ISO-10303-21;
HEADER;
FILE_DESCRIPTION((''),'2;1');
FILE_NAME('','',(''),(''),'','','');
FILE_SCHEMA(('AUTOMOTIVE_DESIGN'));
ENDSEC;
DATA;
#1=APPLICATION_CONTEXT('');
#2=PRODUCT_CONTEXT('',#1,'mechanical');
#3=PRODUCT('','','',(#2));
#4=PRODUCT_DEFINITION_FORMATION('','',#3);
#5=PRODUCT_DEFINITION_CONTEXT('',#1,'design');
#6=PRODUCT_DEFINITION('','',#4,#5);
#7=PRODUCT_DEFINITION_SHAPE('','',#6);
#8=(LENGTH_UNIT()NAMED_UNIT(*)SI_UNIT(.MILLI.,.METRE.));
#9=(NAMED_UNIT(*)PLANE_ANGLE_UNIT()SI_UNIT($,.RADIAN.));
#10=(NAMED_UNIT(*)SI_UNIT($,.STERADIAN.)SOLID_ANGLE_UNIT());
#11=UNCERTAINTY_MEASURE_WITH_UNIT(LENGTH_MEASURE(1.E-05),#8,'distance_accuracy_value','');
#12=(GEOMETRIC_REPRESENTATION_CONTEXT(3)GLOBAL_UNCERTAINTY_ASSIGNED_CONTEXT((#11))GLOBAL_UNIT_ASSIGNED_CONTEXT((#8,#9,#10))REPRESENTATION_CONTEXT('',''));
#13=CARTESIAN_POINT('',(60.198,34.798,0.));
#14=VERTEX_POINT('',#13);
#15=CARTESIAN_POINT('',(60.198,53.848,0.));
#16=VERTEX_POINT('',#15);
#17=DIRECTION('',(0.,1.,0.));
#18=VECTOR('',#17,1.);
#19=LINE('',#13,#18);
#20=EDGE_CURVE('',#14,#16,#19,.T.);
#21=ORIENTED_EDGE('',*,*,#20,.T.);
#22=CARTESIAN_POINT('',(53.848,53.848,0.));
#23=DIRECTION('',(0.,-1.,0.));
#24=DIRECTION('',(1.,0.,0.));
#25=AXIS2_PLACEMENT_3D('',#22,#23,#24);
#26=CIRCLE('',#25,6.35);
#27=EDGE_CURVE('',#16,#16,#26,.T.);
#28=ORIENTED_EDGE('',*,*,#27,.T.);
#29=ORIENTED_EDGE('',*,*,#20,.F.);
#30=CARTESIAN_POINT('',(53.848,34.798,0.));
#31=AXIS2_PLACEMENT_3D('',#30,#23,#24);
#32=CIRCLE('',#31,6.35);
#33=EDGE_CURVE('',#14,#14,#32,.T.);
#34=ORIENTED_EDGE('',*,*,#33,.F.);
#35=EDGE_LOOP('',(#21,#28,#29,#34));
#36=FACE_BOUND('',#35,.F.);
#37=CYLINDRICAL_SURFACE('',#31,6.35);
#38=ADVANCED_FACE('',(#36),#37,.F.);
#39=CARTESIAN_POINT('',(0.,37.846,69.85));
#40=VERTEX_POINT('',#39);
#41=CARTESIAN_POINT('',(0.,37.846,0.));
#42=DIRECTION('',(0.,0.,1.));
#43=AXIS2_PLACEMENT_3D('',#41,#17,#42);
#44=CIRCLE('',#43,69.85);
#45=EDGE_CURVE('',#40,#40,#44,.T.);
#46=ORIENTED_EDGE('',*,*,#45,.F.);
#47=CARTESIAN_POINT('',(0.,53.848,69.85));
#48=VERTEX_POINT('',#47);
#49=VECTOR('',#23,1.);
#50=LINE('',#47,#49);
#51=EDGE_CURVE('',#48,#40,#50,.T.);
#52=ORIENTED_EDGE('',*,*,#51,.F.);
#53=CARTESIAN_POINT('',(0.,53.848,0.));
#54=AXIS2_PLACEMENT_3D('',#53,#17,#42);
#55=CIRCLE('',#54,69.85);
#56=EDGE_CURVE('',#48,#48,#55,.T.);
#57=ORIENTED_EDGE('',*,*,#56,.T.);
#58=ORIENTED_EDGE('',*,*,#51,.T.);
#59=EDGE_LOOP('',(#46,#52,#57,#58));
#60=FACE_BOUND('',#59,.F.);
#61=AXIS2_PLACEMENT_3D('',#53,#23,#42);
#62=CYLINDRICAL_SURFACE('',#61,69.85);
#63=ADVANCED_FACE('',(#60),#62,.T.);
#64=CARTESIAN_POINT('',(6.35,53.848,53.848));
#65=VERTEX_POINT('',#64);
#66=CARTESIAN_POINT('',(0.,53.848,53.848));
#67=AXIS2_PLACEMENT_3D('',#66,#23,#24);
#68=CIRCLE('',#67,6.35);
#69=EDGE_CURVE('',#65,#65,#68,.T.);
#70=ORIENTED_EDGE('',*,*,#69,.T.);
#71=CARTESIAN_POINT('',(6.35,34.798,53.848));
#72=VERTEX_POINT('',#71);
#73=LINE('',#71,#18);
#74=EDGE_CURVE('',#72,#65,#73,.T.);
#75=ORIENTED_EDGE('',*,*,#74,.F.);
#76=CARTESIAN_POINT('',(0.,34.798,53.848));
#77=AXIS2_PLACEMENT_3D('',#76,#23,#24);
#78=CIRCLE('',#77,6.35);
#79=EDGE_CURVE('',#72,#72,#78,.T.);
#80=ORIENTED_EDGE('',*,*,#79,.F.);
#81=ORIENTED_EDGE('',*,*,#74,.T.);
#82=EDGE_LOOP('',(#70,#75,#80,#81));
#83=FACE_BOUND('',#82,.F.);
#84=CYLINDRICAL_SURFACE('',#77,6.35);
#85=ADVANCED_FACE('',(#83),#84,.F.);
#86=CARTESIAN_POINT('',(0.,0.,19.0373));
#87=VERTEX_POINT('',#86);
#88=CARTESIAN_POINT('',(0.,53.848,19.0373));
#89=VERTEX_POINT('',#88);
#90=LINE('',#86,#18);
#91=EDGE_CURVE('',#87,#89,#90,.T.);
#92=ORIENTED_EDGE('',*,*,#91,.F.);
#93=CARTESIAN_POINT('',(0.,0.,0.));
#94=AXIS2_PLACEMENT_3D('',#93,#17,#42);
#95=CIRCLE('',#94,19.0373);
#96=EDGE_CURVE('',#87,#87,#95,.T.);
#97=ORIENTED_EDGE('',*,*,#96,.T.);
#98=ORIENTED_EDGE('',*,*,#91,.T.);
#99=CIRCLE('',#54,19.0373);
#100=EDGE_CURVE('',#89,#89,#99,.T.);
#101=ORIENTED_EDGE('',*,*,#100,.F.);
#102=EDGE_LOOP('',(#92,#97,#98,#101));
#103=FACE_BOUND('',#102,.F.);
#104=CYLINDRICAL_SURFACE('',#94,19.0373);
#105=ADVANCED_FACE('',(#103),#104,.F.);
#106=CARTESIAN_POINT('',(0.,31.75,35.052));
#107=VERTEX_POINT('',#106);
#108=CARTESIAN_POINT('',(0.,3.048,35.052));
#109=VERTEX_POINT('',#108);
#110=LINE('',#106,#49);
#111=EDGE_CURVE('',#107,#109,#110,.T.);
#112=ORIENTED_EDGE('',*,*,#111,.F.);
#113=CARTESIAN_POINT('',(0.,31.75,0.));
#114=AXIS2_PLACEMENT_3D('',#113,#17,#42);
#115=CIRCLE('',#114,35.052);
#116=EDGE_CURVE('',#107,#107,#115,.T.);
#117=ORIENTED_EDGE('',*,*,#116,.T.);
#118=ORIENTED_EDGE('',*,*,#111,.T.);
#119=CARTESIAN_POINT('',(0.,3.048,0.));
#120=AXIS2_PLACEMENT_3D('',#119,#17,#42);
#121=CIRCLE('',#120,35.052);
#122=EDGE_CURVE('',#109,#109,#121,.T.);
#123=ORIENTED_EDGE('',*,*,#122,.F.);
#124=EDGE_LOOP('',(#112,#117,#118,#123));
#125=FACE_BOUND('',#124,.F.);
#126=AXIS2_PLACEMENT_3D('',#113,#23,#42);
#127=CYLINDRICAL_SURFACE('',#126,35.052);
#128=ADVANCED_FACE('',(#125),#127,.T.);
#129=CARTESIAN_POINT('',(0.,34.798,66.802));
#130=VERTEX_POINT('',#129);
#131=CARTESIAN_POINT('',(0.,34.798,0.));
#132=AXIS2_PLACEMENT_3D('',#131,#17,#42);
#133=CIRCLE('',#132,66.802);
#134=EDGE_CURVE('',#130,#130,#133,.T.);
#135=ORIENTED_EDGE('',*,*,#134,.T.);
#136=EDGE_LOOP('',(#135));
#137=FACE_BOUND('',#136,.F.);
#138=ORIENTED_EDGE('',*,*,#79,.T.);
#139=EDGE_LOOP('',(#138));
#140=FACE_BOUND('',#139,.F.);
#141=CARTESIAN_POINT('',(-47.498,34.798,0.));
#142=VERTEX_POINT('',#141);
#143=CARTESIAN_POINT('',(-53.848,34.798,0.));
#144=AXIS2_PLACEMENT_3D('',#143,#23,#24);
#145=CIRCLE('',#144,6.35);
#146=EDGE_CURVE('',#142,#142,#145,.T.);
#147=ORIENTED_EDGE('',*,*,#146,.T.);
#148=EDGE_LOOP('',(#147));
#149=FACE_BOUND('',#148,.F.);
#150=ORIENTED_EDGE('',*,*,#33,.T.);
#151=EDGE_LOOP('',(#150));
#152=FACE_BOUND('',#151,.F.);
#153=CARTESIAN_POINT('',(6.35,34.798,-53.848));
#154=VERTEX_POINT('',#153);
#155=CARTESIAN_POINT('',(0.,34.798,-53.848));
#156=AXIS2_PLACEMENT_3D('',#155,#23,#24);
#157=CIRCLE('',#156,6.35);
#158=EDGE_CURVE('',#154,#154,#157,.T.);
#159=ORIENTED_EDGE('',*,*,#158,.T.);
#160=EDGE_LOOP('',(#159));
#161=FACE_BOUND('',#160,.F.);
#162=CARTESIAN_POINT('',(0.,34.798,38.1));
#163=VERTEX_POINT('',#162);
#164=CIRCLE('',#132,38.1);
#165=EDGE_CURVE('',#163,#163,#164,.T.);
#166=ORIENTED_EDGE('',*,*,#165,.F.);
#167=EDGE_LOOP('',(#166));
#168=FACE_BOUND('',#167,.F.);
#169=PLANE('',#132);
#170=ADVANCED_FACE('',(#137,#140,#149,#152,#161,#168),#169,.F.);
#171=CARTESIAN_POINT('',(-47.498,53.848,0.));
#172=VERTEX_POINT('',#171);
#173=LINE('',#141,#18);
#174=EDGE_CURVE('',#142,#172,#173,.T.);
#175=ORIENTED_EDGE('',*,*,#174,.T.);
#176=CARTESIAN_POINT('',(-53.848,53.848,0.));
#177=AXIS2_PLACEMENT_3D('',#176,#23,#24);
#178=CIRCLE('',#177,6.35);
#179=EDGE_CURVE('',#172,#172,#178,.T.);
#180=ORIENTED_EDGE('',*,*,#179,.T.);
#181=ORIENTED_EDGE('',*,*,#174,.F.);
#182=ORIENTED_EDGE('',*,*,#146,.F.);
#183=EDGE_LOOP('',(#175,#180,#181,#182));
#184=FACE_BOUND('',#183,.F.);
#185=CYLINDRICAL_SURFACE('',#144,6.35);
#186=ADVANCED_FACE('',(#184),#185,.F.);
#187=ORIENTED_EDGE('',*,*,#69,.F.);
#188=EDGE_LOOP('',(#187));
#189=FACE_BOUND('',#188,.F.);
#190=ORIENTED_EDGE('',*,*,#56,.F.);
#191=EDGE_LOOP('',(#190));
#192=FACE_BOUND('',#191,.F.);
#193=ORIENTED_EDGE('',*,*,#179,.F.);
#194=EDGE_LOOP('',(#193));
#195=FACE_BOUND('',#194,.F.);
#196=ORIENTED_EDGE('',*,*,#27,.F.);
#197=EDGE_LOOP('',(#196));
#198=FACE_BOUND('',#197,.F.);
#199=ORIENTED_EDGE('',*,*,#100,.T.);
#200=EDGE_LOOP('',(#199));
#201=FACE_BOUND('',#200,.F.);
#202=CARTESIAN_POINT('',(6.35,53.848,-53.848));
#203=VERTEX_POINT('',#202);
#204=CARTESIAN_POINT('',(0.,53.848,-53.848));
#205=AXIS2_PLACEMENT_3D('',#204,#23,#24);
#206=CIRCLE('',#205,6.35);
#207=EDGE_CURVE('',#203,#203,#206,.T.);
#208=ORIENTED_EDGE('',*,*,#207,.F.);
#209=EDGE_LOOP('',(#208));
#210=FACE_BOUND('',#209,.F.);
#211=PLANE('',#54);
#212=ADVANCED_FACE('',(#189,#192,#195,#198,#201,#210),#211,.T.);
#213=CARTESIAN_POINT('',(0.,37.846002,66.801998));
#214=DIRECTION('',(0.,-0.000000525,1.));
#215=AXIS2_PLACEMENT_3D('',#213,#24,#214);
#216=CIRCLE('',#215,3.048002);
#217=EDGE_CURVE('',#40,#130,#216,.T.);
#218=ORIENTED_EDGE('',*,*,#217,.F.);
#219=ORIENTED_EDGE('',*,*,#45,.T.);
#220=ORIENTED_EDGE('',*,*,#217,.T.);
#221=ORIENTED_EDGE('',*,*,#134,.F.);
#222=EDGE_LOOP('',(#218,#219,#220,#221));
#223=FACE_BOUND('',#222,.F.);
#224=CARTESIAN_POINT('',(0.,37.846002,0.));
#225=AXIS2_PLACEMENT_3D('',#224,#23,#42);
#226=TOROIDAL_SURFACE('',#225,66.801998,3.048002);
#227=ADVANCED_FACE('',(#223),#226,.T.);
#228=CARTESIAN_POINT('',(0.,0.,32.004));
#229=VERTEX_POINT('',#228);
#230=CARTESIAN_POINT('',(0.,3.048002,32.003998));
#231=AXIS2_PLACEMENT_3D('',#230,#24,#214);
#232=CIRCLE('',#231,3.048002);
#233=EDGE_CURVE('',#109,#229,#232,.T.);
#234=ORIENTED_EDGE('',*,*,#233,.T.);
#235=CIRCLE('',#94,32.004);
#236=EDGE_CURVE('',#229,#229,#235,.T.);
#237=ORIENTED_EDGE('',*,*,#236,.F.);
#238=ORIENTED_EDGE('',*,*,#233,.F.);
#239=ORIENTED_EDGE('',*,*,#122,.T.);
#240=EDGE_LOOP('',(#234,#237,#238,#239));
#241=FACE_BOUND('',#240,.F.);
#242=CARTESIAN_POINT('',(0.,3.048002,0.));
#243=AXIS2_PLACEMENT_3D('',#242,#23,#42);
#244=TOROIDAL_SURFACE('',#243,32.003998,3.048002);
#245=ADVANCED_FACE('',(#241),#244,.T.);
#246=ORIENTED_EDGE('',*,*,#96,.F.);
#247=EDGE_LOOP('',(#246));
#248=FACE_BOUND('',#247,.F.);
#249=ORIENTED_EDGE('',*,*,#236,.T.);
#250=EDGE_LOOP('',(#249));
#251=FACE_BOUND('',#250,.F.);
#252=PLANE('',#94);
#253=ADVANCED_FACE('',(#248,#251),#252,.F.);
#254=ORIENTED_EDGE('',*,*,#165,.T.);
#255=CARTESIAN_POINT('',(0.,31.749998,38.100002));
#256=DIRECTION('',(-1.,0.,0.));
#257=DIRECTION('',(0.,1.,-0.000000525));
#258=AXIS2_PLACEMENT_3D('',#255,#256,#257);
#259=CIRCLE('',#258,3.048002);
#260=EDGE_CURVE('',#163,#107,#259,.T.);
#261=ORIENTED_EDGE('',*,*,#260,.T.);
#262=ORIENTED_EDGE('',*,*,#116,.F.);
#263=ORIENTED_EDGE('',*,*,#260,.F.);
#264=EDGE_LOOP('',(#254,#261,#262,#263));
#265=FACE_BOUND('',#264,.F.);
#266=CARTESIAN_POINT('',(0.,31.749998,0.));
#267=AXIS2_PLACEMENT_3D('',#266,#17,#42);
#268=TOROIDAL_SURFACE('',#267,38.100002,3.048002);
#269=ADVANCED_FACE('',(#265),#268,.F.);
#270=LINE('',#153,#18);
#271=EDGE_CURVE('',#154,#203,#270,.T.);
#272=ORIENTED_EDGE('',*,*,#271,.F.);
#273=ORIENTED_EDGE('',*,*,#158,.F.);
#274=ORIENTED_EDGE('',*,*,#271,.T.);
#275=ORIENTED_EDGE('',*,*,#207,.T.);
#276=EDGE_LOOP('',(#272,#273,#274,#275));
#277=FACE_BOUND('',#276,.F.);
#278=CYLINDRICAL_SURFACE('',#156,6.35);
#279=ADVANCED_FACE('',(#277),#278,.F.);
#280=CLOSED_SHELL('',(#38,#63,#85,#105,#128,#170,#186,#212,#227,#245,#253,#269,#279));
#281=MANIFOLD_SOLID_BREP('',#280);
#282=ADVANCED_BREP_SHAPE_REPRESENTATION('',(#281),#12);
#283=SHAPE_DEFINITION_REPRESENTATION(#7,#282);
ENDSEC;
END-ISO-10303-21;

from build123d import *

# Parameters (mm, degrees)
F2_R     = 6.35
F3_DEPTH = 19.051


with BuildPart() as f1:
    # F0 (on Right) → F1 (revolve)
    with BuildSketch(Plane.YZ):
        with BuildLine():
            Line((0, 32.004), (0, 19.0373))
            Line((0, 19.0373), (53.848, 19.0373))
            Line((53.848, 19.0373), (53.848, 69.85))
            Line((53.848, 69.85), (37.846, 69.85))
            ThreePointArc((37.846, 69.85), (35.690739, 68.957261), (34.798, 66.802))
            Line((34.798, 66.802), (34.798, 38.1))
            ThreePointArc((34.798, 38.1), (33.905261, 35.944739), (31.75, 35.052))
            Line((31.75, 35.052), (3.048, 35.052))
            ThreePointArc((3.048, 35.052), (0.892739, 34.159261), (0, 32.004))
        make_face()
    revolve(axis=Axis((0, 18.799335, 0), (0, 1, 0)))

    # F2 (on face) → F3 (cut, through all)
    with BuildSketch(Plane.XZ.offset(-34.798)):
        with Locations((-53.848, 0)):
            Circle(F2_R)
        with Locations((0, -53.848)):
            Circle(F2_R)
        with Locations((0, 53.848)):
            Circle(F2_R)
        with Locations((53.848, 0)):
            Circle(F2_R)
    extrude(amount=-F3_DEPTH, mode=Mode.SUBTRACT)


solid = f1.part
